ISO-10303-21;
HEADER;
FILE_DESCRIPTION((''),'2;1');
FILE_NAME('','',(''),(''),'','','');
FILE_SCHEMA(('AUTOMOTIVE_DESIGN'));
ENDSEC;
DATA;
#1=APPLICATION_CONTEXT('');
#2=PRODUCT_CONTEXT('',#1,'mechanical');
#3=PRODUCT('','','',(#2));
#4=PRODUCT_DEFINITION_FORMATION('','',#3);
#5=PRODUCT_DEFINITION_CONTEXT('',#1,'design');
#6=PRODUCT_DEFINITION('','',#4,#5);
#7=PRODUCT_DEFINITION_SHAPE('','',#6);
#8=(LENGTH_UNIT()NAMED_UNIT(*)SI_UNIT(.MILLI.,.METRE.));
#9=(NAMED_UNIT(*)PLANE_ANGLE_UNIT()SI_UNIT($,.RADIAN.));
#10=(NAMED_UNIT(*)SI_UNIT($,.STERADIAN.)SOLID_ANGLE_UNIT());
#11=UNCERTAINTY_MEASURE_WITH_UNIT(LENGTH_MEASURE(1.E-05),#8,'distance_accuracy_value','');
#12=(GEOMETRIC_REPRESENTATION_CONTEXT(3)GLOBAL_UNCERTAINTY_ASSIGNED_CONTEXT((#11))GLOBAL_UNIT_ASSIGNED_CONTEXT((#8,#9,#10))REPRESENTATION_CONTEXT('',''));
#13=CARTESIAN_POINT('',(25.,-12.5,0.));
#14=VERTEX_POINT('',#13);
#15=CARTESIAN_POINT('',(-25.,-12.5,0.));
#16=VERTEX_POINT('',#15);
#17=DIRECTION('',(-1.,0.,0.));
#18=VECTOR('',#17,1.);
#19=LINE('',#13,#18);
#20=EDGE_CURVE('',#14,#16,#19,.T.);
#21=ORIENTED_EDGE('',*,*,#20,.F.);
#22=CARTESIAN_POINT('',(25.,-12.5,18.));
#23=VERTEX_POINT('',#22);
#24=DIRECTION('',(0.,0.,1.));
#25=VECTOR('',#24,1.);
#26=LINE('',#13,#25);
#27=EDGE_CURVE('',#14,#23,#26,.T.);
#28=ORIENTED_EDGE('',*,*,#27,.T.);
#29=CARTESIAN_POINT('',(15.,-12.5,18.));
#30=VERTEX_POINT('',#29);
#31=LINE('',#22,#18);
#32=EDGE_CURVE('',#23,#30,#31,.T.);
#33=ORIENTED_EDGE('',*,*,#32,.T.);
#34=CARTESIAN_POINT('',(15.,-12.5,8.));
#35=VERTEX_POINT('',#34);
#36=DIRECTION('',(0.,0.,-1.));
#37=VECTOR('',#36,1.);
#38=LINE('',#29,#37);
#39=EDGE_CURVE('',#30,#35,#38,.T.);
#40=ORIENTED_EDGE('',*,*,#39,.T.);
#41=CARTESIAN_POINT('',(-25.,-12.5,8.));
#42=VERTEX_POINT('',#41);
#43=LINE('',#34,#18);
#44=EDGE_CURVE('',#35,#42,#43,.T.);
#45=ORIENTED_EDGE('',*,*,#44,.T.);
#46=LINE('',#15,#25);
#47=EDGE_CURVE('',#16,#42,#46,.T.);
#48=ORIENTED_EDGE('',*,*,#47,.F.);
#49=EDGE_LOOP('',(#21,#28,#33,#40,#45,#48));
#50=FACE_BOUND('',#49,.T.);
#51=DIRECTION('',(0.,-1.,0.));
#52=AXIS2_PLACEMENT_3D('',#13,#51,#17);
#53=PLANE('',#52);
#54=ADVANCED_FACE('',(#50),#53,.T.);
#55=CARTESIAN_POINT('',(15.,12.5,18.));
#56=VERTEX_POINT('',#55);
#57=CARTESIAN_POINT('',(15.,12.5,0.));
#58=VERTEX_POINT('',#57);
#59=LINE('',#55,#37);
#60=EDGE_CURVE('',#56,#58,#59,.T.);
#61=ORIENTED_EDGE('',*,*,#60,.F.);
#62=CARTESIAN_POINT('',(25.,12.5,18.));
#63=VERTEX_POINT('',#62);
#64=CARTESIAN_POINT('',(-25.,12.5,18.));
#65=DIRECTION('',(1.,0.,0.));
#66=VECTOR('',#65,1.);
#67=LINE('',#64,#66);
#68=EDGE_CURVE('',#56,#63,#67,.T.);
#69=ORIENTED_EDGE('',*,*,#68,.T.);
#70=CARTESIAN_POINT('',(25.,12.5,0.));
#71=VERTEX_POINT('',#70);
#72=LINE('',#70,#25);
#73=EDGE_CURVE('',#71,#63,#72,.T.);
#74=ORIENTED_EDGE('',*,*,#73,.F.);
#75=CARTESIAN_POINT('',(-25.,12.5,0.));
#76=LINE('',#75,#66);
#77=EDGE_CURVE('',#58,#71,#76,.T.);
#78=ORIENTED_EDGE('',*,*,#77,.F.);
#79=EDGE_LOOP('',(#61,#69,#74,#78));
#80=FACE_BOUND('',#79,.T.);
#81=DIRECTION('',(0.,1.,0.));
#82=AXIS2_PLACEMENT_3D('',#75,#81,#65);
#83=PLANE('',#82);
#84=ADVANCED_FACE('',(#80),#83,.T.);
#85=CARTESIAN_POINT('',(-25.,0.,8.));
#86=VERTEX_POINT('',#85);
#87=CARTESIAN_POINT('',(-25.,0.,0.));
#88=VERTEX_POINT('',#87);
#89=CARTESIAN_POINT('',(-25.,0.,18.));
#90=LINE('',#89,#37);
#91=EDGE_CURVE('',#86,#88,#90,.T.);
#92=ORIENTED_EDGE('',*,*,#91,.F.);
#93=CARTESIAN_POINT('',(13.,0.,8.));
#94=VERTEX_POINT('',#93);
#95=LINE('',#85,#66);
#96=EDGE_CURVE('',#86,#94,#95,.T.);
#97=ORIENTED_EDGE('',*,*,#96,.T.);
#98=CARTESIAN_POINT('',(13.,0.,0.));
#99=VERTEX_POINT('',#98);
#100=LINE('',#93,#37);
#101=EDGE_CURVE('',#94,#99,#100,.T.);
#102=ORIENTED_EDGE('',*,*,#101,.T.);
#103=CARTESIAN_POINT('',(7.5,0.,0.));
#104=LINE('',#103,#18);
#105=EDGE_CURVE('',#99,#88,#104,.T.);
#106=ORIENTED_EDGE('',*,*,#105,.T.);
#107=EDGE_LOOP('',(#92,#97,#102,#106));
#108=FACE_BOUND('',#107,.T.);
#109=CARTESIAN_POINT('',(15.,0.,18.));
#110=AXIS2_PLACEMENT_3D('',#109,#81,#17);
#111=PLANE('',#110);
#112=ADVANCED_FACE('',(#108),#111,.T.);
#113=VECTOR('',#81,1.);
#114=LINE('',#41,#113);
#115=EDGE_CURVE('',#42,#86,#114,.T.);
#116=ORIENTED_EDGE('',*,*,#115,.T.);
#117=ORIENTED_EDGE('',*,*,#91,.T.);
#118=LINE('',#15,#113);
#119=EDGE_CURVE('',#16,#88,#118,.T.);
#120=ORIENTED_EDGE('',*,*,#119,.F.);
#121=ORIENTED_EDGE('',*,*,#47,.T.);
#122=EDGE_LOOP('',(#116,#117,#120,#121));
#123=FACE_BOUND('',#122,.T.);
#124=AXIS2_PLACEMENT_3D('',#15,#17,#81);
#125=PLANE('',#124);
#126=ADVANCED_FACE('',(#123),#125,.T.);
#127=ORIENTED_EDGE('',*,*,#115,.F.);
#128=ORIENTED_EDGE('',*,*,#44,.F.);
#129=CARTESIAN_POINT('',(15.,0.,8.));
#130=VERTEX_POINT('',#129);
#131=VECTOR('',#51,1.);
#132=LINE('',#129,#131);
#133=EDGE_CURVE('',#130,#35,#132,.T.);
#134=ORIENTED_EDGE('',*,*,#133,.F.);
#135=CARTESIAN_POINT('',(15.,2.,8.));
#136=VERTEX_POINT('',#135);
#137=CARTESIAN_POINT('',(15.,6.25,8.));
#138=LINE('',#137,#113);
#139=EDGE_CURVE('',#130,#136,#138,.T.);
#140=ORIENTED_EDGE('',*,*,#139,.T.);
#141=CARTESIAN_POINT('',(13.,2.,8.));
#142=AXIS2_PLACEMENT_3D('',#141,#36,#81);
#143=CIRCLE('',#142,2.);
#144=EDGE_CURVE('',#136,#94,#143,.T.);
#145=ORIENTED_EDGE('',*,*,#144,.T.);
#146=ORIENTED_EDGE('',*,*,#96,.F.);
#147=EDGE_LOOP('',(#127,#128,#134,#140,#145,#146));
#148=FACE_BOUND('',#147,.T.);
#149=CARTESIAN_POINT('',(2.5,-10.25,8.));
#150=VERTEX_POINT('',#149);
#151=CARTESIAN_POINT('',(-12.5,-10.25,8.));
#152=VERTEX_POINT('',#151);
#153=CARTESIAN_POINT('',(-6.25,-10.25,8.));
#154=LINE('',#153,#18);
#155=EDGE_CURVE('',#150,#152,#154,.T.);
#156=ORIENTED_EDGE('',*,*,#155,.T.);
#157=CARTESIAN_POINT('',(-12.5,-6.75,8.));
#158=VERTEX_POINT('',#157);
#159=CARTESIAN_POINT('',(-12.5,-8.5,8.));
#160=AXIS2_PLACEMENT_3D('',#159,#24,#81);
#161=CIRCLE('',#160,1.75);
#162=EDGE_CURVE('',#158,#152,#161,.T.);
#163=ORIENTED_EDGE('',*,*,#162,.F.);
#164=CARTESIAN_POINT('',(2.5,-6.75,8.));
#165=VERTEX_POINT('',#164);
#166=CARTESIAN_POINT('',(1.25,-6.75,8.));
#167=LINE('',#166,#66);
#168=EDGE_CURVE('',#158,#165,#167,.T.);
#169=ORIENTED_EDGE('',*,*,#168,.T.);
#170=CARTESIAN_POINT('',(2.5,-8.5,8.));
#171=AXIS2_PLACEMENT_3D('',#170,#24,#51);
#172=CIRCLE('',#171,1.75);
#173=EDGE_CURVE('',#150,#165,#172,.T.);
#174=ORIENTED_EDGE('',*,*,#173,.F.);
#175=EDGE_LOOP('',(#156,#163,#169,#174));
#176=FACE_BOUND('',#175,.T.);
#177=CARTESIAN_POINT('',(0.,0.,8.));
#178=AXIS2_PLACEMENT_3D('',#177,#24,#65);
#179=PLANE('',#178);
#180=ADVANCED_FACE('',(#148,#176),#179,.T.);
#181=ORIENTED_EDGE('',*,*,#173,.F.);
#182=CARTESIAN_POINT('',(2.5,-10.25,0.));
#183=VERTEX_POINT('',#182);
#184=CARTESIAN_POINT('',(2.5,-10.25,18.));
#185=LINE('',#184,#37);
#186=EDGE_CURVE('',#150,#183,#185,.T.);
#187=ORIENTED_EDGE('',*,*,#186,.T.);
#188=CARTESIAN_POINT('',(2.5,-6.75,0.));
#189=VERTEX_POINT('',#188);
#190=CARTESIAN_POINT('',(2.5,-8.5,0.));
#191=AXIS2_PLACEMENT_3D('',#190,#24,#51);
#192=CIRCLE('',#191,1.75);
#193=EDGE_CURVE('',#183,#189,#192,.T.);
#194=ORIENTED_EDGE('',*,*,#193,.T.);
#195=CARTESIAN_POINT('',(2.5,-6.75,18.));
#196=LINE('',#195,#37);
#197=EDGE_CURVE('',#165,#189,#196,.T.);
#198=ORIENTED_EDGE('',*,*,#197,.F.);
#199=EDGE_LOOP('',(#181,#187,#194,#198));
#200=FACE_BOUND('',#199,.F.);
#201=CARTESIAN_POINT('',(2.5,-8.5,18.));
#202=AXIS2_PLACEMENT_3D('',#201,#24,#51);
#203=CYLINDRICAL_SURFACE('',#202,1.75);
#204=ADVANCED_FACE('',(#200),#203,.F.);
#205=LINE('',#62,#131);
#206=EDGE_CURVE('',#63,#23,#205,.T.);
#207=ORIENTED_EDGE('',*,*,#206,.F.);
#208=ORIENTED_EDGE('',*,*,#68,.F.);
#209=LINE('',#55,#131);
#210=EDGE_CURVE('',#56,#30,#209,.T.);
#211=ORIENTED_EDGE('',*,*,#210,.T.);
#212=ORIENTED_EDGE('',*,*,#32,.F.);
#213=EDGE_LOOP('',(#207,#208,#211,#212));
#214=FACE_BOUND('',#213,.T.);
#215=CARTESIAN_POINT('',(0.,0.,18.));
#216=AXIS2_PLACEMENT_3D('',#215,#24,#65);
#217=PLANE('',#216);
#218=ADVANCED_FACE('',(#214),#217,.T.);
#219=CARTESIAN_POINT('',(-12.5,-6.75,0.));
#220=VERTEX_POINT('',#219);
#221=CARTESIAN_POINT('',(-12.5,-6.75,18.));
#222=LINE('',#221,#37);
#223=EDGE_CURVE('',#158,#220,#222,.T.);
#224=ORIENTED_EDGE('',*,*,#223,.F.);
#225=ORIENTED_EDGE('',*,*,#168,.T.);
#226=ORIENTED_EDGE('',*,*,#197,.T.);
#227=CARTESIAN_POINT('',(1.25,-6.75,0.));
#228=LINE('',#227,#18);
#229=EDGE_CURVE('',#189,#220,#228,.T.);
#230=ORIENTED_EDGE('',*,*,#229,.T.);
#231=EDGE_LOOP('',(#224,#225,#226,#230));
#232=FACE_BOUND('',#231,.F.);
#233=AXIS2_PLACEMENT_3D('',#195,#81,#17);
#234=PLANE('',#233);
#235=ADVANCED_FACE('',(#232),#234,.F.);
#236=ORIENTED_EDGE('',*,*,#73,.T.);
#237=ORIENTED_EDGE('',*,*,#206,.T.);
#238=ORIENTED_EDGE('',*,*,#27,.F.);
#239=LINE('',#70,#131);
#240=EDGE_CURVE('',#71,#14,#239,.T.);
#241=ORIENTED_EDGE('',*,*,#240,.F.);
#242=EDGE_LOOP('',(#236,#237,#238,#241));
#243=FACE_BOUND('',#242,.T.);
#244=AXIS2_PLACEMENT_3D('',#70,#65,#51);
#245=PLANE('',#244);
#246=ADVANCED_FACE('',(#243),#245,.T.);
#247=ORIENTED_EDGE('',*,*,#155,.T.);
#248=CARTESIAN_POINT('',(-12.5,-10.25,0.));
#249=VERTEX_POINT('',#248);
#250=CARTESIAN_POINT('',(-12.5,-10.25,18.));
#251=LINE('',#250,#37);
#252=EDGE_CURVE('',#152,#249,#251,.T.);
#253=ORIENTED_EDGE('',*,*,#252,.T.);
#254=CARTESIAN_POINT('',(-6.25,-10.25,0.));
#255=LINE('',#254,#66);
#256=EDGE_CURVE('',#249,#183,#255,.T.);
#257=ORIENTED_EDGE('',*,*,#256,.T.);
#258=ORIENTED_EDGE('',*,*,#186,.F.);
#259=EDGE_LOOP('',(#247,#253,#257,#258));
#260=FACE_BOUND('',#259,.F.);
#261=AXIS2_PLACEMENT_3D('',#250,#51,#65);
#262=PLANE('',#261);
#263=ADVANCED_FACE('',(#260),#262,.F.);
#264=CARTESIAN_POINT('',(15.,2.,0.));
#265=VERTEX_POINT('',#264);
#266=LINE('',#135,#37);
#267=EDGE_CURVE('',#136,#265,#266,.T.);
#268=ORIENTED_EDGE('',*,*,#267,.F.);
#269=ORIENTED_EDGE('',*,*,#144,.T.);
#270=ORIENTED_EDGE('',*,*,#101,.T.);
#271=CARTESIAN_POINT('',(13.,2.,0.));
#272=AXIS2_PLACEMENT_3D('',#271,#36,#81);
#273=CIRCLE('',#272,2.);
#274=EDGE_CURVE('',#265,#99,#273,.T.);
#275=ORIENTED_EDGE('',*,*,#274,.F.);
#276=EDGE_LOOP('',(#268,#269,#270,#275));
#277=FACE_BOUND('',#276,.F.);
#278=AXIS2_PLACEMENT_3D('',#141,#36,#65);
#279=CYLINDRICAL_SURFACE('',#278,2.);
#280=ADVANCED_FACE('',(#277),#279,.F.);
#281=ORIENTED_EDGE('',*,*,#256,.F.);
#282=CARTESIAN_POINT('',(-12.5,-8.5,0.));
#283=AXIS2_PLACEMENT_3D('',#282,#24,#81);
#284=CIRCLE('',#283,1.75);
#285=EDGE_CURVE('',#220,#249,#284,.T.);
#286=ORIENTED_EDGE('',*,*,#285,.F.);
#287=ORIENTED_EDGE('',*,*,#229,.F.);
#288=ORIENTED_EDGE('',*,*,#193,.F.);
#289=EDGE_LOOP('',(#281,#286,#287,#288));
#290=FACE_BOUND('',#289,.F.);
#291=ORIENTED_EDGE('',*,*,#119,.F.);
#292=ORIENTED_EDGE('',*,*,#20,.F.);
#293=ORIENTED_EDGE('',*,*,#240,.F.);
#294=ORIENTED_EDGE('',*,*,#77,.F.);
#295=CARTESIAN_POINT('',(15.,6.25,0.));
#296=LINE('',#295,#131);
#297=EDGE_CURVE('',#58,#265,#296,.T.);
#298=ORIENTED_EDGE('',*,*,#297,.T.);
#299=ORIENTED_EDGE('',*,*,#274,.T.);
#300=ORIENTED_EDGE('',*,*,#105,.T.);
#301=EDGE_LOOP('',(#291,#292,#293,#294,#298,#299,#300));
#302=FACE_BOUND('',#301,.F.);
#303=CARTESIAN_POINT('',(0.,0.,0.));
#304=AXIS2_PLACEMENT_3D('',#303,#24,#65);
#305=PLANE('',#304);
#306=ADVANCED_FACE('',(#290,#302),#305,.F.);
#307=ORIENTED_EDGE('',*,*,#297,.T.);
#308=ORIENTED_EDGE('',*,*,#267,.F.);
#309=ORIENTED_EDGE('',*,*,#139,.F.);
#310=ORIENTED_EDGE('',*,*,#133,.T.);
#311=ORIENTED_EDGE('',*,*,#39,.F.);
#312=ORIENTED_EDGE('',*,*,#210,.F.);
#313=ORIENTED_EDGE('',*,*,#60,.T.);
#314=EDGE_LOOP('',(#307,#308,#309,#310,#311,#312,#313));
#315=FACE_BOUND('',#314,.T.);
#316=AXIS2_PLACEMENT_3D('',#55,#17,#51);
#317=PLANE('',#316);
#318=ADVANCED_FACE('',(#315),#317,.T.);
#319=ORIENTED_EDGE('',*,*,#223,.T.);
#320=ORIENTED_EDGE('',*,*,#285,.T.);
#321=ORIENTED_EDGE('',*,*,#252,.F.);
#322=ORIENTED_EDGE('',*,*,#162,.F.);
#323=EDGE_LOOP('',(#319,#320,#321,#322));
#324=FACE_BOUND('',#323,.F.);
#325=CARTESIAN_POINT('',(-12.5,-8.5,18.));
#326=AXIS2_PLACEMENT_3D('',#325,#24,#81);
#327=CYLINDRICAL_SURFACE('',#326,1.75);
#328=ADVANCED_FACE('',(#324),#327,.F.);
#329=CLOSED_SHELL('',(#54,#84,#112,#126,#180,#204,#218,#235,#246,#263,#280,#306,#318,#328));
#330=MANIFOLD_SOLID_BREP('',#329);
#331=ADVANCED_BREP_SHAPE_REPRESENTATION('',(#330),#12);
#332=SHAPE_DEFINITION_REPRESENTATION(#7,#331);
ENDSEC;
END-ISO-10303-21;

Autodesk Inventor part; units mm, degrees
ref_plane "YZ Plane" through (0, 0, 0) normal (1, 0, 0) x (0, 1, 0)
ref_plane "XZ Plane" through (0, 0, 0) normal (0, 1, 0) x (-1, 0, 0)
ref_plane "XY Plane" through (0, 0, 0) normal (0, 0, 1) x (1, 0, 0)
sketch "Sketch1" plane through (0, 0, 0) normal (0, 0, 1) x (1, 0, 0)
  line L0 (-25, 12.5) -> (25, 12.5)
  line L1 (25, 12.5) -> (25, -12.5)
  line L2 (25, -12.5) -> (-25, -12.5)
  line L3 (-25, -12.5) -> (-25, 12.5)
  point P0 (0, 0)
  point P1 (0, 12.5)
  point P2 (-25, 0)
  dimension "d0" = 50
  dimension "d1" = 25
extrude "Extrusion1" add sketch "Sketch1" along normal blind 18
sketch "Sketch5" plane through (0, 0, 18) normal (0, 0, 1) x (1, 0, 0)
  line L0 (2.5, 8.5) -> (-12.5, 8.5) construction
  line L1 (2.5, 10.25) -> (-12.5, 10.25)
  line L2 (-12.5, 6.75) -> (2.5, 6.75)
  arc A0 (2.5, 6.75) -> (2.5, 10.25) centre (2.5, 8.5) ccw
  arc A1 (-12.5, 10.25) -> (-12.5, 6.75) centre (-12.5, 8.5) ccw
  line L3 (2.5, -8.5) -> (-12.5, -8.5) construction
  line L4 (2.5, -6.75) -> (-12.5, -6.75)
  line L5 (-12.5, -10.25) -> (2.5, -10.25)
  arc A2 (2.5, -10.25) -> (2.5, -6.75) centre (2.5, -8.5) ccw
  arc A3 (-12.5, -6.75) -> (-12.5, -10.25) centre (-12.5, -8.5) ccw
  line L6 (25, 12.5) -> (-25, 12.5) projected
  line L7 (-25, -12.5) -> (25, -12.5) projected
  line L8 (-25, 12.5) -> (-25, -12.5) projected
  point P0 (0, 0)
  point P1 (-5, 8.5)
  point P2 (-5, -8.5)
  dimension "d29" = 3.5
  dimension "d30" = 4
  dimension "d31" = 4
  dimension "d32" = 20
  dimension "d33" = 15
extrude "Extrusion5" cut sketch "Sketch5" against normal through all contours A2 L5 A3 L4
sketch "Sketch6" plane through (0, 0, 18) normal (0, 0, 1) x (1, 0, 0)
  line L0 (15, 0) -> (-25, 0)
  line L1 (-25, 0) -> (-25, 12.5)
  line L2 (-25, 12.5) -> (15, 12.5)
  line L3 (15, 12.5) -> (15, 0)
  line L4 (25, -12.5) -> (25, 12.5) projected
  line L5 (-25, 12.5) -> (-25, -12.5) projected
  line L6 (25, 12.5) -> (-25, 12.5) projected
  point P0 (0, 0)
  dimension "d36" = 10
extrude "Extrusion6" cut sketch "Sketch6" against normal through all
sketch "Sketch7" plane through (0, 0, 18) normal (0, 0, 1) x (1, 0, 0)
  line L0 (15, -12.5) -> (-25, -12.5)
  line L1 (-25, -12.5) -> (-25, 0)
  line L2 (-25, 0) -> (15, 0)
  line L3 (15, 0) -> (15, -12.5)
  line L4 (15, 12.5) -> (15, 0) projected
  line L5 (-25, -12.5) -> (25, -12.5) projected
  line L6 (-25, 0) -> (-25, -12.5) projected
  line L7 (15, 0) -> (-25, 0) projected
  point P0 (0, 0)
  point P1 (15, 2)
  point P2 (13, 0)
extrude "Extrusion7" cut sketch "Sketch7" against normal blind 10
fillet "Fillet2" radius 2 1 edges at (15, 0, 4)
properties part number "0005-10-025 Activator senzor Y"
